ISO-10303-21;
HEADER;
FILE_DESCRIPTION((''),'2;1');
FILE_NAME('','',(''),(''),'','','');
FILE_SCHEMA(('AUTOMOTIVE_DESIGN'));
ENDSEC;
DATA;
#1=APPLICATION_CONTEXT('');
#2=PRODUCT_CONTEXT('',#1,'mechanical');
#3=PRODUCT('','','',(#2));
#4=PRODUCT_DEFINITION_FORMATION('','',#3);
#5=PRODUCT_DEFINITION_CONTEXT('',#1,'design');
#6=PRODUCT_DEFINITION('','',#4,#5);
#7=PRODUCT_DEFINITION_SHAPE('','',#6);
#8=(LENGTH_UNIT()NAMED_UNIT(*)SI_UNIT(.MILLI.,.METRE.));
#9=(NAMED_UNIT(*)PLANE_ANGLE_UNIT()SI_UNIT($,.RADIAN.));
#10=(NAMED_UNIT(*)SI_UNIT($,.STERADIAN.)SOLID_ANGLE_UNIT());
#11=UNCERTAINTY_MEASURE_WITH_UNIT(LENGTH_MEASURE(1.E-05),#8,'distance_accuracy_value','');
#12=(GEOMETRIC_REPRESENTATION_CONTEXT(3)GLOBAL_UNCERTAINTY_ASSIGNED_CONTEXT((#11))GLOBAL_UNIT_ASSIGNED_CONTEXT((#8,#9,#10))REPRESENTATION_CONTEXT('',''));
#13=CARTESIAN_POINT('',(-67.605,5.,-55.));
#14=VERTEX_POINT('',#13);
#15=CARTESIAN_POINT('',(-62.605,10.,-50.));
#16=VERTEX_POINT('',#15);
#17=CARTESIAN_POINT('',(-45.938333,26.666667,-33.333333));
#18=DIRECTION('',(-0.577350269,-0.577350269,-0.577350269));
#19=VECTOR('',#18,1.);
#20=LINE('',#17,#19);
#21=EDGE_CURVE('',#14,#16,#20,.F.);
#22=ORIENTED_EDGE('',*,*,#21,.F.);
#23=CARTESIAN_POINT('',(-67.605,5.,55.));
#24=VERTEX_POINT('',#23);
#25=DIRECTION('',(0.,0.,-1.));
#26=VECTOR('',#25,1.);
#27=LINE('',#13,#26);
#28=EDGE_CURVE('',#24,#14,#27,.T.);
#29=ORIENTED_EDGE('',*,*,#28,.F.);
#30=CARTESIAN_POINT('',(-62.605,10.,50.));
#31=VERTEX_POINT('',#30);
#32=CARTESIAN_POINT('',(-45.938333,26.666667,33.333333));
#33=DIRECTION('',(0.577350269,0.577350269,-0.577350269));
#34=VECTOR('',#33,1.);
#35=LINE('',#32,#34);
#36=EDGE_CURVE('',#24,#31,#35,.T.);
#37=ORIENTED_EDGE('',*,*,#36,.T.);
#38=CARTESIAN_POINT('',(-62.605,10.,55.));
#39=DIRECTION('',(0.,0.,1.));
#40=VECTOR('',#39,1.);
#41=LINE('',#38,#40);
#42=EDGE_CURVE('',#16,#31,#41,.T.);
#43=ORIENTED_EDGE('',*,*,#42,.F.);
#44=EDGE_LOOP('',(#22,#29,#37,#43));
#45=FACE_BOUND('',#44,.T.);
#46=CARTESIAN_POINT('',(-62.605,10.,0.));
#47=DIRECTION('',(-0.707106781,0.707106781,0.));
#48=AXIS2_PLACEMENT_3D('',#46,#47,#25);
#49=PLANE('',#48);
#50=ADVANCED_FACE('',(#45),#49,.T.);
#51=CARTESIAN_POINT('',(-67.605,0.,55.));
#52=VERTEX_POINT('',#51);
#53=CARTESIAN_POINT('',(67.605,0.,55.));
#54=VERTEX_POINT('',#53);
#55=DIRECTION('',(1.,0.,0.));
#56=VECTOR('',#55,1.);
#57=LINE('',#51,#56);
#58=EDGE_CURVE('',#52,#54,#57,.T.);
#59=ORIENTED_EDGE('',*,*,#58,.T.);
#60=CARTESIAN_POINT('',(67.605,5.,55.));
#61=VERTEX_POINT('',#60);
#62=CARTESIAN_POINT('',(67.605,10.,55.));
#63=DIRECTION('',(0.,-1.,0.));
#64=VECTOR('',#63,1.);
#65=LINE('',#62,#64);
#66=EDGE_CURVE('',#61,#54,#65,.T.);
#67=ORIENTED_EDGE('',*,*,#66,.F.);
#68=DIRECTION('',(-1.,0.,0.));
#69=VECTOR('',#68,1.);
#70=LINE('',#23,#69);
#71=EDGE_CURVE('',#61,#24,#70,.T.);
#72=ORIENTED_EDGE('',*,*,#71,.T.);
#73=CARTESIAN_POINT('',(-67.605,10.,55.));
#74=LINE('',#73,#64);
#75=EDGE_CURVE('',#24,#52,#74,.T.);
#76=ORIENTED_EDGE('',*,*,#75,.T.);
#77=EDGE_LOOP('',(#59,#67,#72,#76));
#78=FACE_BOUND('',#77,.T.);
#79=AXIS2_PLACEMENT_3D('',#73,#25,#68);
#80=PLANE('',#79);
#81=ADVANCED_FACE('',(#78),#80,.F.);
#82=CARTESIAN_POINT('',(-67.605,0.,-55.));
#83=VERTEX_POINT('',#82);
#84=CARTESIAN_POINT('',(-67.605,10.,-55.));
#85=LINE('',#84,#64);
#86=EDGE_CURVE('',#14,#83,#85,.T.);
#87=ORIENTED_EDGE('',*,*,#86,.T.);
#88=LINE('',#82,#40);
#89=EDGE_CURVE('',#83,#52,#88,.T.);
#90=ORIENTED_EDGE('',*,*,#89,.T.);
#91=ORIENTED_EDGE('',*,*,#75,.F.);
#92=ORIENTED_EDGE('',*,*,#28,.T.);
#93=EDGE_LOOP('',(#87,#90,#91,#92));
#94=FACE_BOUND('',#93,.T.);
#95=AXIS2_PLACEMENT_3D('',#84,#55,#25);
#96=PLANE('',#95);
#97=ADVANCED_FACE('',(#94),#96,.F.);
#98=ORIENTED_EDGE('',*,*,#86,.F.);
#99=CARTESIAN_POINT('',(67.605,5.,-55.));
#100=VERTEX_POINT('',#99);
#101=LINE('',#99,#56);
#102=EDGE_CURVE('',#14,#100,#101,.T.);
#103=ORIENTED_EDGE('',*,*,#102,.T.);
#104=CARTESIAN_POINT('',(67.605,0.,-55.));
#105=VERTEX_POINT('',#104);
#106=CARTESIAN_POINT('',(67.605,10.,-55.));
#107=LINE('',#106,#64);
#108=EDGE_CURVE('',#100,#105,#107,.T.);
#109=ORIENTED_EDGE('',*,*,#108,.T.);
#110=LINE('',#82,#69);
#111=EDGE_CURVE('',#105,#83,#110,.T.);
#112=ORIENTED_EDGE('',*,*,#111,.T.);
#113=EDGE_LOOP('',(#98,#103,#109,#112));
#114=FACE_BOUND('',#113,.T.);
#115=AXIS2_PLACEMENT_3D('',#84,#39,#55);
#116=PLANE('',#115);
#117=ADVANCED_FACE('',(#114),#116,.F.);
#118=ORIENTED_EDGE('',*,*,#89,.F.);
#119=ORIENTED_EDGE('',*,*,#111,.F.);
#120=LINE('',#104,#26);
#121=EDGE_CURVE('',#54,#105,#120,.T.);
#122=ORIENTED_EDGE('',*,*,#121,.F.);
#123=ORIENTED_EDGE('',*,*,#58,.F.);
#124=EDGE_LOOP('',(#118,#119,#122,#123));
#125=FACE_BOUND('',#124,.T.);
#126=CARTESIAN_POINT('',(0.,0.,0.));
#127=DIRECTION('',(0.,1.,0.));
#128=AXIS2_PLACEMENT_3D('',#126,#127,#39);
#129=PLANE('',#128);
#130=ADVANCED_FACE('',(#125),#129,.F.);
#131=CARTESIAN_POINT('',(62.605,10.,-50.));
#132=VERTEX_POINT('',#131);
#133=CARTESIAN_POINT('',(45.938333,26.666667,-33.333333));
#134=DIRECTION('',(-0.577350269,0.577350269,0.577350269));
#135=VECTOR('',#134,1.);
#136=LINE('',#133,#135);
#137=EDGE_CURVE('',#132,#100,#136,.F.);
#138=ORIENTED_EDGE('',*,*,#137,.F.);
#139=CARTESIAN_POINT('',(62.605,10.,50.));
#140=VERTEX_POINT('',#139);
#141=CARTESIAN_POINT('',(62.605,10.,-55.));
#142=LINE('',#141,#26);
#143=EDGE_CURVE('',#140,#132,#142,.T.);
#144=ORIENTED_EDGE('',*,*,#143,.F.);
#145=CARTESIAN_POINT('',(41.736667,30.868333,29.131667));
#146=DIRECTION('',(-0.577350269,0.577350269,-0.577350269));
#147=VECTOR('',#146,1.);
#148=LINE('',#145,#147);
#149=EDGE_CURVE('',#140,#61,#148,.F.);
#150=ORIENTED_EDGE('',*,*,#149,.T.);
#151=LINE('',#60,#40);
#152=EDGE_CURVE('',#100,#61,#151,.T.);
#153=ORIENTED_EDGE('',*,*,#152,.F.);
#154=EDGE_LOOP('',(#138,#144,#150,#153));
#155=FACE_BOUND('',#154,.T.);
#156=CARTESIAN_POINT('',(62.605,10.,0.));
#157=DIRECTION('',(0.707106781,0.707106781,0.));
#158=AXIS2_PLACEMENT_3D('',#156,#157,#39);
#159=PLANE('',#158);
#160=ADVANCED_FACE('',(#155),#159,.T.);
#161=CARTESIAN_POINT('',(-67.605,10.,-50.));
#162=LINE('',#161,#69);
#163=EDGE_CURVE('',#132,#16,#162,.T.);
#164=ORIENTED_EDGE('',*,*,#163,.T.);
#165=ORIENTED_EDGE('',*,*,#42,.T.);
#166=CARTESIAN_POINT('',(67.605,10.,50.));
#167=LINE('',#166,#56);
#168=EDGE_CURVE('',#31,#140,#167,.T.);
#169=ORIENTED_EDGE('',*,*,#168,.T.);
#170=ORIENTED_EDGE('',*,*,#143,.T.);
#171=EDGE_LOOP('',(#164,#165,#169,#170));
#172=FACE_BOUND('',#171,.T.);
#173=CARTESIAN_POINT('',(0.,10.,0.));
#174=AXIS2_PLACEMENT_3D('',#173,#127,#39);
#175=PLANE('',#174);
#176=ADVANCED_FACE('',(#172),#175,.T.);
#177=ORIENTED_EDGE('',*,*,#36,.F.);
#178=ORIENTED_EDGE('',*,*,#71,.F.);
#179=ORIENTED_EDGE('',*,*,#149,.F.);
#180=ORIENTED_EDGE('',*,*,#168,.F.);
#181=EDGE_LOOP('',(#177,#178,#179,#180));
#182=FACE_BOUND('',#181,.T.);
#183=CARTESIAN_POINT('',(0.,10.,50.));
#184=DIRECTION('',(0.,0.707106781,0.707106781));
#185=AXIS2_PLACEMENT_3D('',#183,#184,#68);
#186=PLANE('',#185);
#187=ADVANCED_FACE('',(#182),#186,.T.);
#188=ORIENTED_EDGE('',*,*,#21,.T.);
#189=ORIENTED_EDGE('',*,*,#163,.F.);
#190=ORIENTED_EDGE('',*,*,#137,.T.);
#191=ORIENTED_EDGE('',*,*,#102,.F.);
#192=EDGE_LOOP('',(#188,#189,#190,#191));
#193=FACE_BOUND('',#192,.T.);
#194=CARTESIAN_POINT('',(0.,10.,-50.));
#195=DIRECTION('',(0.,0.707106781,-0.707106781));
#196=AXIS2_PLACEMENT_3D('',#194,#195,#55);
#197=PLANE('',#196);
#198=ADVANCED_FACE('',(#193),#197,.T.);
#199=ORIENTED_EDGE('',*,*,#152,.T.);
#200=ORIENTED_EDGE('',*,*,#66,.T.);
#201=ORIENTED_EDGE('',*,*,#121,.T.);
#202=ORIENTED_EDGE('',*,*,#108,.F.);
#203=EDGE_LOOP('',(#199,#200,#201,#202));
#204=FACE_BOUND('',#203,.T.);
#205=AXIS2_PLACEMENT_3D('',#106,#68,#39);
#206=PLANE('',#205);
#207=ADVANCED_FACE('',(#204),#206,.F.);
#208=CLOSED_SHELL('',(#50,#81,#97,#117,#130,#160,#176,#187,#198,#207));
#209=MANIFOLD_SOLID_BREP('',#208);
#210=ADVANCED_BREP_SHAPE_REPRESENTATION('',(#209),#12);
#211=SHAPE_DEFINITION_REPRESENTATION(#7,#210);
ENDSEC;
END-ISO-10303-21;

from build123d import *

# Parameters (mm, degrees)
SKETCH1_W           = 135.21
SKETCH1_H           = 110
BOSS_EXTRUDE1_DEPTH = 10
CHAMFER1_SIZE       = 5


with BuildPart() as part:
    # Sketch1 → Boss-Extrude1 (new body)
    with BuildSketch(Plane(origin=(0, 0, 0), x_dir=(1, 0, 0), z_dir=(0, 1, 0))):
        Rectangle(SKETCH1_W, SKETCH1_H)
    extrude(amount=BOSS_EXTRUDE1_DEPTH)

    # Chamfer1
    chamfer1_edges = [part.edges().sort_by_distance(p)[0] for p in [
        (-67.605, 10, 0),
        (0, 10, 55),
        (67.605, 10, 0),
        (0, 10, -55),
    ]]
    chamfer(chamfer1_edges, length=CHAMFER1_SIZE)


solid = part.part
